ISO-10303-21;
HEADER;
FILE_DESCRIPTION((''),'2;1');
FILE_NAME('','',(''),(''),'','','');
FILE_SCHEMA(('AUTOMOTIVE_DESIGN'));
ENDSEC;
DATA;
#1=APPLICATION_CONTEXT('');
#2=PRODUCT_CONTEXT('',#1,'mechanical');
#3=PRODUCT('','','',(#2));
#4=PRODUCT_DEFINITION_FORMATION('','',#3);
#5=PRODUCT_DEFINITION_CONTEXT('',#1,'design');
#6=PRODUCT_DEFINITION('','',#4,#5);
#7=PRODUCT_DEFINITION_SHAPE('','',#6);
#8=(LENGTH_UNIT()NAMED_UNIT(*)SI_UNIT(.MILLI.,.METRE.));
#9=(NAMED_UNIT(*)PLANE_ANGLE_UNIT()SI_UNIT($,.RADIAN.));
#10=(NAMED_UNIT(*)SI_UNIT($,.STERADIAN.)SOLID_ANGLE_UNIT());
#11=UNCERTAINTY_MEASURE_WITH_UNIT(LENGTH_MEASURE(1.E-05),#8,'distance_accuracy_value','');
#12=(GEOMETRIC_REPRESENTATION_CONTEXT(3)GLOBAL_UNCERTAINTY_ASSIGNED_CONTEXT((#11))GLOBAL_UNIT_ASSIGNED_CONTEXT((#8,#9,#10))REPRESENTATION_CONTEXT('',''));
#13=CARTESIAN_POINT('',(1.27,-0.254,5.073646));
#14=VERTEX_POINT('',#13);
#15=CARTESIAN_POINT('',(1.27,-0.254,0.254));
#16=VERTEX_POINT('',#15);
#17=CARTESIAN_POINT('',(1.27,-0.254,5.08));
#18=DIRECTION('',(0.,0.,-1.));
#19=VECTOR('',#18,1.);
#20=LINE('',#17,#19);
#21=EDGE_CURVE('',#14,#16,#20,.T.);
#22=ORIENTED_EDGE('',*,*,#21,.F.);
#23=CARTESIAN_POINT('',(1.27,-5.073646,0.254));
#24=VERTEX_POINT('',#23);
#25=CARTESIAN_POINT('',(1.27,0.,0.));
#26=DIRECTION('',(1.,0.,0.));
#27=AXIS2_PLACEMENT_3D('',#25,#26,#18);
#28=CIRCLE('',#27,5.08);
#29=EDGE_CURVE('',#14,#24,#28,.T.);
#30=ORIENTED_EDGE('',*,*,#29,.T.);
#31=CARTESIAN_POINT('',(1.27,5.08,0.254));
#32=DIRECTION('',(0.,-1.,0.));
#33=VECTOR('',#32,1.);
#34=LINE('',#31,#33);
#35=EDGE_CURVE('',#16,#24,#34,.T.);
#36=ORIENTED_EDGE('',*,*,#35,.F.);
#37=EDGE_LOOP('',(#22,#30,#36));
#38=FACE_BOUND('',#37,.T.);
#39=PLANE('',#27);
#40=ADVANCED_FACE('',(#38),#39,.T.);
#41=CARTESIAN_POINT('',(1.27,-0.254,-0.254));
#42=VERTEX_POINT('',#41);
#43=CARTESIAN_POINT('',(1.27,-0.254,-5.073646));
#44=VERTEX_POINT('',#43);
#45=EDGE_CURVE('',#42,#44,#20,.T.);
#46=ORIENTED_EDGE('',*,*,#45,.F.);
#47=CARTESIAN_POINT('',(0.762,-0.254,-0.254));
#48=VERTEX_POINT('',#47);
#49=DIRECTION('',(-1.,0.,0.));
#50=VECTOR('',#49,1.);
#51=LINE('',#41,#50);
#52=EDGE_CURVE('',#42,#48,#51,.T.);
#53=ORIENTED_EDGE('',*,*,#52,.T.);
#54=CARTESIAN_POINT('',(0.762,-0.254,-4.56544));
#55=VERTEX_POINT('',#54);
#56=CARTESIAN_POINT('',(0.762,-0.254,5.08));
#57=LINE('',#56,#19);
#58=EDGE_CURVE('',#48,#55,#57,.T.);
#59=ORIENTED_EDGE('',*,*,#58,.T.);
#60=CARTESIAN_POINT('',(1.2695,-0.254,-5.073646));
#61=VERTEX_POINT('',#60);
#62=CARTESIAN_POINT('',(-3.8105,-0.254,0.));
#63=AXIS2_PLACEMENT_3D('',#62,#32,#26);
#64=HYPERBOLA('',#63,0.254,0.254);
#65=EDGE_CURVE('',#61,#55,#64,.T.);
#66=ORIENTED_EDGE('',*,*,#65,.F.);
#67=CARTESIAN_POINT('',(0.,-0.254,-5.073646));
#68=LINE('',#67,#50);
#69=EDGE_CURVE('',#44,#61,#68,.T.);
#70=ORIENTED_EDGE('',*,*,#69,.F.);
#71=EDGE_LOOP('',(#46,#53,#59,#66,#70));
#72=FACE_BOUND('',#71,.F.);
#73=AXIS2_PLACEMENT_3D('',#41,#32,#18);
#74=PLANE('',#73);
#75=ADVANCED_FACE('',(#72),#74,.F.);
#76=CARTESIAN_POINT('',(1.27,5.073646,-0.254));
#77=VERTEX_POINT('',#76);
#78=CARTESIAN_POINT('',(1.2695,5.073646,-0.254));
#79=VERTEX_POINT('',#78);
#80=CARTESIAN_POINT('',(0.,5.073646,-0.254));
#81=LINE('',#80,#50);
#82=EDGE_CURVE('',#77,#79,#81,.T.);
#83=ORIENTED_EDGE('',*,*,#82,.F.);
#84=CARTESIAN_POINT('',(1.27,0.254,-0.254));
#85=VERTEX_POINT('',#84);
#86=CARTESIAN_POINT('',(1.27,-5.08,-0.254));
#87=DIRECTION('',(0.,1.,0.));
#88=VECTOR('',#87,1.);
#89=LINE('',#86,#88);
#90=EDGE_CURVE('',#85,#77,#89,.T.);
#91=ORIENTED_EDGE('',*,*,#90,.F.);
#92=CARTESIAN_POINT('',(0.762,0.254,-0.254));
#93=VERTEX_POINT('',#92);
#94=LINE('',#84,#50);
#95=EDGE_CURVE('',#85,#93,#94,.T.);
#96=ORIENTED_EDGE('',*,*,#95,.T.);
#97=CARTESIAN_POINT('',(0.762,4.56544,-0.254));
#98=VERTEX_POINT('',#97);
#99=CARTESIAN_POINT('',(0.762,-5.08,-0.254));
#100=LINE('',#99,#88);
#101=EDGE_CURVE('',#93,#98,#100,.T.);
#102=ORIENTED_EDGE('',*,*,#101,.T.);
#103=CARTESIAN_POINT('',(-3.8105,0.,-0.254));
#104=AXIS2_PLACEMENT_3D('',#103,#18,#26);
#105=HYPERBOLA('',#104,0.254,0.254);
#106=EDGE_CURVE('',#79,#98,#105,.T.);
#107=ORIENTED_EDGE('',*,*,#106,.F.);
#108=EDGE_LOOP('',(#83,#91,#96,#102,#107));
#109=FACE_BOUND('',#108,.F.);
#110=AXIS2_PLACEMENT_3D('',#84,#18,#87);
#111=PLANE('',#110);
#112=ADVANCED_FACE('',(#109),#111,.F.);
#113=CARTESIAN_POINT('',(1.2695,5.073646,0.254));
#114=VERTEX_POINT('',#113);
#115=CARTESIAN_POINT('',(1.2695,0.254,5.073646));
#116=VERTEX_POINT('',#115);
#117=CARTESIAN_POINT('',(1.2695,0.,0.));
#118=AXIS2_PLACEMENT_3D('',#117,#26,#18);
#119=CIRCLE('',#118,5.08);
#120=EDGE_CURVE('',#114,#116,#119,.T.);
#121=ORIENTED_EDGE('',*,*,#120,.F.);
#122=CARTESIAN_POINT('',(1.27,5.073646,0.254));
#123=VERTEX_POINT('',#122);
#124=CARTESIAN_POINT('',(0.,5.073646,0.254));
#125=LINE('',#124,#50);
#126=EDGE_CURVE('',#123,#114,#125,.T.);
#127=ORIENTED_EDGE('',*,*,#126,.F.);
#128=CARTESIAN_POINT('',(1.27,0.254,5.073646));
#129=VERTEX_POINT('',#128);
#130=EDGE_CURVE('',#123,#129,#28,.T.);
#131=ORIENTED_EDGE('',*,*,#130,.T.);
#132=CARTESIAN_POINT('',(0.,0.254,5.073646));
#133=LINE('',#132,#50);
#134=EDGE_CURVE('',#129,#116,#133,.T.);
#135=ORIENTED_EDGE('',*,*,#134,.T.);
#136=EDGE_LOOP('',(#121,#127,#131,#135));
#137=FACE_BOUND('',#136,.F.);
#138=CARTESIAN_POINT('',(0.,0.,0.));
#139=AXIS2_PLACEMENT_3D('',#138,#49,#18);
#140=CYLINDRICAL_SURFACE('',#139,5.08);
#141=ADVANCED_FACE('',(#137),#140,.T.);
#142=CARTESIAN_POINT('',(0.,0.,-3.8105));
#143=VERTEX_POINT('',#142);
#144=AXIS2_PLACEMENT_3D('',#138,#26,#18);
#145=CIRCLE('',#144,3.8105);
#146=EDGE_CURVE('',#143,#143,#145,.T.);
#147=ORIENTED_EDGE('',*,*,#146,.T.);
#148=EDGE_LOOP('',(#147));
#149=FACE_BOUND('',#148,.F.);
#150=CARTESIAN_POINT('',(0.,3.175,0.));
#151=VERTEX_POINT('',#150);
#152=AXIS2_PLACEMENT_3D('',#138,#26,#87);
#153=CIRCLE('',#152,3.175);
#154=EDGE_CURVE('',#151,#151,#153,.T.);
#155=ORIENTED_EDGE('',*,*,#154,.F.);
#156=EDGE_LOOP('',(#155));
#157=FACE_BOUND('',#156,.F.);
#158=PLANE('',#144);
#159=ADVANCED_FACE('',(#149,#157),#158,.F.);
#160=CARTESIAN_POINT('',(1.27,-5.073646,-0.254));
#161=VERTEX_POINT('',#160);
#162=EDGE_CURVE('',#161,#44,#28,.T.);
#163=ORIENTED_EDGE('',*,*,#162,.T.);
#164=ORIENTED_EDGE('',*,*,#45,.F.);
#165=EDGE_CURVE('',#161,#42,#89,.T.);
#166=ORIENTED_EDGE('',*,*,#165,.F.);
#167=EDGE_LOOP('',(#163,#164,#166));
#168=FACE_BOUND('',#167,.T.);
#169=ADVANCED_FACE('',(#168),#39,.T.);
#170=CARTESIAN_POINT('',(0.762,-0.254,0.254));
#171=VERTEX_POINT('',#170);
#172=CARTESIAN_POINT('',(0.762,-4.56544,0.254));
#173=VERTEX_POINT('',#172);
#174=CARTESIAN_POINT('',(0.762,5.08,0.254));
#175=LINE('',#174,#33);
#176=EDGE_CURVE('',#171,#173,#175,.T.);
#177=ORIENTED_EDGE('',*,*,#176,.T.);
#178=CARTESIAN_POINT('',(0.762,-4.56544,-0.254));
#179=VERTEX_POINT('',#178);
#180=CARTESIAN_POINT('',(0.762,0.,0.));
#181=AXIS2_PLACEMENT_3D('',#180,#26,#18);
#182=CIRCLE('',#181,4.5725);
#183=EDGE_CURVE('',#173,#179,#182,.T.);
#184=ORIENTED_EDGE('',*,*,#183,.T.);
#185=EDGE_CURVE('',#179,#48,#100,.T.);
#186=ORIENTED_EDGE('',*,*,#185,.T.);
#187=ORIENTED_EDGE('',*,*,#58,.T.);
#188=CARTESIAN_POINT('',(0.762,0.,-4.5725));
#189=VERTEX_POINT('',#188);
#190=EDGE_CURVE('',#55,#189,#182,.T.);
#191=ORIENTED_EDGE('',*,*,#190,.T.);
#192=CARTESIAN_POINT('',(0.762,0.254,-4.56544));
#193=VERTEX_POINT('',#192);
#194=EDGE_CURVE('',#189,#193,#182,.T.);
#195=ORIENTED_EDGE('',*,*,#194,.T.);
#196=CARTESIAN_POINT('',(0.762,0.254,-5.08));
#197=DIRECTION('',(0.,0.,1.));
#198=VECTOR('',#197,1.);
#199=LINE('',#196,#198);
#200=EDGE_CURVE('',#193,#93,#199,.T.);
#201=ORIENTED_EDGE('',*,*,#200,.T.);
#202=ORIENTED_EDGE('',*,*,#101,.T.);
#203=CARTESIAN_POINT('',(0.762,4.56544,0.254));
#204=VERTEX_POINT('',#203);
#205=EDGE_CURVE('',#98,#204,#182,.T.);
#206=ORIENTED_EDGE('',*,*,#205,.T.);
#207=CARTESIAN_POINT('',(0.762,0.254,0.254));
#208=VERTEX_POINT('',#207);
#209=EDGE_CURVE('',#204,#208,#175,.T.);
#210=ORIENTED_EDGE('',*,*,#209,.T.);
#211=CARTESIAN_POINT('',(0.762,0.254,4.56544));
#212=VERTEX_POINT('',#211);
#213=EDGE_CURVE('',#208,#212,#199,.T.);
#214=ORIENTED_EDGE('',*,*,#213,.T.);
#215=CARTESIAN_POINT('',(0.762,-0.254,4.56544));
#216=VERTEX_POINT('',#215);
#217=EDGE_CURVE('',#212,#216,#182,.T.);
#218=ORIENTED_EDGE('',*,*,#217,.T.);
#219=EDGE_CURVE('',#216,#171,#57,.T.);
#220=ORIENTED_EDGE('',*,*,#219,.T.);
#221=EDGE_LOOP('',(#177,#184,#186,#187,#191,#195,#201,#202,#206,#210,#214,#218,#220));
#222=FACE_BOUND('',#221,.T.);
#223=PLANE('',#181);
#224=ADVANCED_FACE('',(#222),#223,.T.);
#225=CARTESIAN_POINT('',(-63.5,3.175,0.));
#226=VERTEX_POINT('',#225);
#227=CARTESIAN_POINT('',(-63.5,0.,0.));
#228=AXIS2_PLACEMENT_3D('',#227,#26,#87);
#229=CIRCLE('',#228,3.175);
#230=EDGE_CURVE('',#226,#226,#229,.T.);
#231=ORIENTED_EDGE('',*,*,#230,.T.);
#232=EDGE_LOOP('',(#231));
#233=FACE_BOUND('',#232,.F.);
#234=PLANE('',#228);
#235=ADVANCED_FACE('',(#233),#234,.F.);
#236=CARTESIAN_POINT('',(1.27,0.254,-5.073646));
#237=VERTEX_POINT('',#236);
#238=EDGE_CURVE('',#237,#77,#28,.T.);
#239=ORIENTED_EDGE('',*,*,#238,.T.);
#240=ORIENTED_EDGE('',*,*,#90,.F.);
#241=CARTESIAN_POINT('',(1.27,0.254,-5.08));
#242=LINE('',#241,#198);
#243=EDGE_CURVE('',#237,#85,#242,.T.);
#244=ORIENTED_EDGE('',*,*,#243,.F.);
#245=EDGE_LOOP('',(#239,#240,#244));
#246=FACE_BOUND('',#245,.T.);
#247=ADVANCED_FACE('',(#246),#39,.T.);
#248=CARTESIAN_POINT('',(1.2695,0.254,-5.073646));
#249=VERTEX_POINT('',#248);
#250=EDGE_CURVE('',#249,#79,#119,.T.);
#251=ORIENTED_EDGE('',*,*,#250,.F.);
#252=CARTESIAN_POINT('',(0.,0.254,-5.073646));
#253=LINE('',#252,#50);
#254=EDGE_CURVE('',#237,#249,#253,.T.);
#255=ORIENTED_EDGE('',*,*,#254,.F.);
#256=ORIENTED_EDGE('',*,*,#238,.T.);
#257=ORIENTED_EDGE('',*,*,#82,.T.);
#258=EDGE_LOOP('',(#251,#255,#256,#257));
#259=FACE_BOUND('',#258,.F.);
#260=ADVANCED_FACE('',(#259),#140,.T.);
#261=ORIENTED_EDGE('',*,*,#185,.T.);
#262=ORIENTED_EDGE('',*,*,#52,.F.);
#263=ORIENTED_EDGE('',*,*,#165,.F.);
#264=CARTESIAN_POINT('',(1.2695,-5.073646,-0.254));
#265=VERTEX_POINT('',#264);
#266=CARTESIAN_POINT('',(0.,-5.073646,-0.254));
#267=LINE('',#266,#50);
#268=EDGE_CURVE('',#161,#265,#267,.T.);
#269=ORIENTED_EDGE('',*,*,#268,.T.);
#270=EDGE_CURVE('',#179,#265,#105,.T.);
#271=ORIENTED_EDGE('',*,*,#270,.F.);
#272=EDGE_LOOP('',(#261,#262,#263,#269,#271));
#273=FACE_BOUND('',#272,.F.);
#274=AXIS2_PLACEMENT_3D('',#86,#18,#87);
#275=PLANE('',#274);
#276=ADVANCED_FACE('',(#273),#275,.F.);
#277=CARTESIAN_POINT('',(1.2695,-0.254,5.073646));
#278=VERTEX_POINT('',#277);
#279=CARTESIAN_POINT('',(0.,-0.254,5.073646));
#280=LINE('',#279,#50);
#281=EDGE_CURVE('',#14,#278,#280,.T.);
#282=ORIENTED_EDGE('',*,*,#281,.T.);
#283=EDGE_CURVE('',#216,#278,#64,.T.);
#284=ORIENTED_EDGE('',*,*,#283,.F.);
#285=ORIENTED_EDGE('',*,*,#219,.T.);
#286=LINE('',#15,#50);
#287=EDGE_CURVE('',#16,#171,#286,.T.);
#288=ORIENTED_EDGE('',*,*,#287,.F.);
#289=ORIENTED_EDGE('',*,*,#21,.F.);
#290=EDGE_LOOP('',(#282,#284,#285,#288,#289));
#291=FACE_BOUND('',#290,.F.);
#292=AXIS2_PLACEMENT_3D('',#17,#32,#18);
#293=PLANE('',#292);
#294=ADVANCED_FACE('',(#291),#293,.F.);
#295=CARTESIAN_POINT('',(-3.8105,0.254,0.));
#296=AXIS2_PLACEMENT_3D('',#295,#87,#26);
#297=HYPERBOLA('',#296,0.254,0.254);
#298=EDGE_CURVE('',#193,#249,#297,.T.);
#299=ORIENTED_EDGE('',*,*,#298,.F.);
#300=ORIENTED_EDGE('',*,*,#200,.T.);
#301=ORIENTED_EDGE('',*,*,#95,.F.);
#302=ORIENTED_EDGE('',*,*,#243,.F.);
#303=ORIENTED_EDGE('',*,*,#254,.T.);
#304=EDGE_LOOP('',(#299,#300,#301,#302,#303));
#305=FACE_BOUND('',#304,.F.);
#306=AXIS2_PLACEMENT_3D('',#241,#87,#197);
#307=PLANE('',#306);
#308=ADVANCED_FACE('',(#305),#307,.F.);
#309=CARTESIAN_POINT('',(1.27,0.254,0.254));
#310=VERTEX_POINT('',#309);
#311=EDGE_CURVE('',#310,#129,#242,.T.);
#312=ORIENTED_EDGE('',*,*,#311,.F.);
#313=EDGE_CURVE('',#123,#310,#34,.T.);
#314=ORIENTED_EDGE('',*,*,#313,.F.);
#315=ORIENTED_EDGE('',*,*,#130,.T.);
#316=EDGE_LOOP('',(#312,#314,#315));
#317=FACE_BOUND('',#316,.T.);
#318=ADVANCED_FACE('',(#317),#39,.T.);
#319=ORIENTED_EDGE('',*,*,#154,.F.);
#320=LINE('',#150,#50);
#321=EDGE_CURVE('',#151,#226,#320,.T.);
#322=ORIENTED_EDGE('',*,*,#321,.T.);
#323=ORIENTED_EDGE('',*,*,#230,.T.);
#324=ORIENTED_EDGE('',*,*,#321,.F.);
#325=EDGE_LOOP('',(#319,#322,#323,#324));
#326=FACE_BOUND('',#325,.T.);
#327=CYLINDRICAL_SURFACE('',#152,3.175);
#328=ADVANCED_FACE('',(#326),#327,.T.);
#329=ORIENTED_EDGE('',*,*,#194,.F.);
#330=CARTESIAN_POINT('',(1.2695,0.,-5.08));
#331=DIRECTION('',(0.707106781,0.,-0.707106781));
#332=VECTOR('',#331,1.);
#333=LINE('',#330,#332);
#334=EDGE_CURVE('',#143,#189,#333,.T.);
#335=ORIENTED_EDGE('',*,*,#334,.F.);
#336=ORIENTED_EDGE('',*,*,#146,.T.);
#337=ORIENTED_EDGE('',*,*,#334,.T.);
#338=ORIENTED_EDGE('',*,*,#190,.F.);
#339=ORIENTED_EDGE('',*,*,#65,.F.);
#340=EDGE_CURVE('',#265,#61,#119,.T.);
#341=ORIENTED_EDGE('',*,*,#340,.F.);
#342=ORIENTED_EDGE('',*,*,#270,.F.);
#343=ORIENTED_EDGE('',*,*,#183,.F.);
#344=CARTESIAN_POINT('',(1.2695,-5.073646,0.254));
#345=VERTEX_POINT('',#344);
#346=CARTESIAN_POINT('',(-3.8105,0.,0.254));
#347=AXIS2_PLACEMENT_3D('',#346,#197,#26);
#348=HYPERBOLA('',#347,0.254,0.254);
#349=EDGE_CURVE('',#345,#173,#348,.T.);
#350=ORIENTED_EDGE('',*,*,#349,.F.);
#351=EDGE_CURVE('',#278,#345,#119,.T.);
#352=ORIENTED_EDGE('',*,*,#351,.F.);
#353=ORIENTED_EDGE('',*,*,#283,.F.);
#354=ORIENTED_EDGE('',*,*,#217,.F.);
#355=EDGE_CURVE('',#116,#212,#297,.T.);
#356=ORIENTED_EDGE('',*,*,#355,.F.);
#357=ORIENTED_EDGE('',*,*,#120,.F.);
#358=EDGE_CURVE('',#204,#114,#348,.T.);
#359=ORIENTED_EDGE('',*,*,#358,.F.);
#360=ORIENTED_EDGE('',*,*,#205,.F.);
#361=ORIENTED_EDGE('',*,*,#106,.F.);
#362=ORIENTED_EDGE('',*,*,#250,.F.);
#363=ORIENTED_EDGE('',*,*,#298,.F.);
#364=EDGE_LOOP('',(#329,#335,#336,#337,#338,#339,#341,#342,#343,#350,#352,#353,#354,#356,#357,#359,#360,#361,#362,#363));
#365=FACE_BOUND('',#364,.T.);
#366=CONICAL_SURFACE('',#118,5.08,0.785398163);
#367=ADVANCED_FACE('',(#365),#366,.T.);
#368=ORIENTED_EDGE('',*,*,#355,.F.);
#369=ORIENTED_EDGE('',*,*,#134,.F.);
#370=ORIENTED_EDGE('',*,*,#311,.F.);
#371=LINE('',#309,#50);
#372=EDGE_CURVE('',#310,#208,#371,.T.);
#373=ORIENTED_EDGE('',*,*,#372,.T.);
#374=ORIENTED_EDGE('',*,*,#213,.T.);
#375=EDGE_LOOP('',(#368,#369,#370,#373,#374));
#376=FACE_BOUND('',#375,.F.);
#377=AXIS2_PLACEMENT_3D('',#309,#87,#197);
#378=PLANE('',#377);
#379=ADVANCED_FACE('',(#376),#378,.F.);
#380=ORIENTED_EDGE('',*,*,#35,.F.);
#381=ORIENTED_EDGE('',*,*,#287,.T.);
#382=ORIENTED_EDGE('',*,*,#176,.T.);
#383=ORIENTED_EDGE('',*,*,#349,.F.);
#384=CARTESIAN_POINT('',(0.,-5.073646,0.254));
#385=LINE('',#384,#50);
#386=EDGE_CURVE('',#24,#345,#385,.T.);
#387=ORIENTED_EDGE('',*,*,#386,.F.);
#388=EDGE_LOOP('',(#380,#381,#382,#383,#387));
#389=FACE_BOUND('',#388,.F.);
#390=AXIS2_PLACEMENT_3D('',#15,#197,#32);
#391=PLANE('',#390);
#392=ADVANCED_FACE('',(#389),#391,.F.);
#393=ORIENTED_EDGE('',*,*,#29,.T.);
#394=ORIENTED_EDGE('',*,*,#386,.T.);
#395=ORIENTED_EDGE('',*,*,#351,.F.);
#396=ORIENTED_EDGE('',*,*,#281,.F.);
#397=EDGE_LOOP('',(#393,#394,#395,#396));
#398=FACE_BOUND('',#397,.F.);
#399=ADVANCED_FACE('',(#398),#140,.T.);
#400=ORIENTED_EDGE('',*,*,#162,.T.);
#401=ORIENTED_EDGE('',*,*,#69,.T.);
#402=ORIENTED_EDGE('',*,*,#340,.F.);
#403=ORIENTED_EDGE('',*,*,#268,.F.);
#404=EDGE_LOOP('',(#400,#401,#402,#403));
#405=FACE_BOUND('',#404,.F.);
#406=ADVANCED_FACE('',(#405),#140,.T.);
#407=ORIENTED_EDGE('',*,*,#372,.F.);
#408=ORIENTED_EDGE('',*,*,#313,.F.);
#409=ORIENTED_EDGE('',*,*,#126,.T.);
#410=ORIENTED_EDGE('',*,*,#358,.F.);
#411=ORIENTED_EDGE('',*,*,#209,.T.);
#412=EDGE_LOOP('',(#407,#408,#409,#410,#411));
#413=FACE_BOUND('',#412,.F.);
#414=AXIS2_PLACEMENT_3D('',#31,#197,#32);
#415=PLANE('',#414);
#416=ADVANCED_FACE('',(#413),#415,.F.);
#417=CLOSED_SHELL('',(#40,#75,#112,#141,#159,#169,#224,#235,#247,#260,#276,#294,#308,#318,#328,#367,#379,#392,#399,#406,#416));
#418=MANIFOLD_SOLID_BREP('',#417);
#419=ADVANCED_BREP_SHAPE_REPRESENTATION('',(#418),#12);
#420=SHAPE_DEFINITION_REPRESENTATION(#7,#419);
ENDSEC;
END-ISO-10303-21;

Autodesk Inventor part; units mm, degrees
ref_plane "YZ Plane" through (0, 0, 0) normal (1, 0, 0) x (0, 1, 0)
ref_plane "XZ Plane" through (0, 0, 0) normal (0, 1, 0) x (-1, 0, 0)
ref_plane "XY Plane" through (0, 0, 0) normal (0, 0, 1) x (1, 0, 0)
sketch "Sketch1" plane through (0, 0, 0) normal (1, 0, 0) x (0, 1, 0)
  circle A0 centre (0, 0) radius 3.175
  dimension "d0" = 6.35
extrude "Extrusion1" add sketch "Sketch1" against normal blind 63.5
sketch "Sketch2" plane through (0, 0, 0) normal (1, 0, 0) x (0, 0, -1)
  circle A0 centre (0, 0) radius 3.175 projected
  circle A1 centre (0, 0) radius 5.08
  dimension "d3" = 10.16
extrude "Extrusion2" add sketch "Sketch2" along normal blind 1.27 contours A0 | A1
chamfer "Chamfer1" distance 1.27 angle 45 1 edges at (0, 0, 5.08)
sketch "Sketch3" plane through (1.27, 0, 0) normal (1, 0, 0) x (0, 0, -1)
  line L0 (-0.254, -5.08) -> (0.254, -5.08)
  line L1 (0.254, -5.08) -> (0.254, 5.08)
  line L2 (0.254, 5.08) -> (-0.254, 5.08)
  line L3 (-0.254, 5.08) -> (-0.254, -5.08)
  line L4 (-0.254, -5.08) -> (0.254, 5.08) construction
  line L5 (0.254, -5.08) -> (-0.254, 5.08) construction
  line L6 (-5.08, -0.254) -> (5.08, -0.254)
  line L7 (5.08, -0.254) -> (5.08, 0.254)
  line L8 (5.08, 0.254) -> (-5.08, 0.254)
  line L9 (-5.08, 0.254) -> (-5.08, -0.254)
  line L10 (-5.08, -0.254) -> (5.08, 0.254) construction
  line L11 (5.08, -0.254) -> (-5.08, 0.254) construction
  point P0 (0, 0)
  dimension "d9" = 0.508
  dimension "d10" = 10.16
  dimension "d11" = 10.16
  dimension "d12" = 0.508
extrude "Extrusion3" cut sketch "Sketch3" against normal blind 0.508
thread "Thread1" size "1/4-20 UNC" class "2A" standard "ANSI Unified Screw Threads" full length
properties part number "screws (for assembly)"
